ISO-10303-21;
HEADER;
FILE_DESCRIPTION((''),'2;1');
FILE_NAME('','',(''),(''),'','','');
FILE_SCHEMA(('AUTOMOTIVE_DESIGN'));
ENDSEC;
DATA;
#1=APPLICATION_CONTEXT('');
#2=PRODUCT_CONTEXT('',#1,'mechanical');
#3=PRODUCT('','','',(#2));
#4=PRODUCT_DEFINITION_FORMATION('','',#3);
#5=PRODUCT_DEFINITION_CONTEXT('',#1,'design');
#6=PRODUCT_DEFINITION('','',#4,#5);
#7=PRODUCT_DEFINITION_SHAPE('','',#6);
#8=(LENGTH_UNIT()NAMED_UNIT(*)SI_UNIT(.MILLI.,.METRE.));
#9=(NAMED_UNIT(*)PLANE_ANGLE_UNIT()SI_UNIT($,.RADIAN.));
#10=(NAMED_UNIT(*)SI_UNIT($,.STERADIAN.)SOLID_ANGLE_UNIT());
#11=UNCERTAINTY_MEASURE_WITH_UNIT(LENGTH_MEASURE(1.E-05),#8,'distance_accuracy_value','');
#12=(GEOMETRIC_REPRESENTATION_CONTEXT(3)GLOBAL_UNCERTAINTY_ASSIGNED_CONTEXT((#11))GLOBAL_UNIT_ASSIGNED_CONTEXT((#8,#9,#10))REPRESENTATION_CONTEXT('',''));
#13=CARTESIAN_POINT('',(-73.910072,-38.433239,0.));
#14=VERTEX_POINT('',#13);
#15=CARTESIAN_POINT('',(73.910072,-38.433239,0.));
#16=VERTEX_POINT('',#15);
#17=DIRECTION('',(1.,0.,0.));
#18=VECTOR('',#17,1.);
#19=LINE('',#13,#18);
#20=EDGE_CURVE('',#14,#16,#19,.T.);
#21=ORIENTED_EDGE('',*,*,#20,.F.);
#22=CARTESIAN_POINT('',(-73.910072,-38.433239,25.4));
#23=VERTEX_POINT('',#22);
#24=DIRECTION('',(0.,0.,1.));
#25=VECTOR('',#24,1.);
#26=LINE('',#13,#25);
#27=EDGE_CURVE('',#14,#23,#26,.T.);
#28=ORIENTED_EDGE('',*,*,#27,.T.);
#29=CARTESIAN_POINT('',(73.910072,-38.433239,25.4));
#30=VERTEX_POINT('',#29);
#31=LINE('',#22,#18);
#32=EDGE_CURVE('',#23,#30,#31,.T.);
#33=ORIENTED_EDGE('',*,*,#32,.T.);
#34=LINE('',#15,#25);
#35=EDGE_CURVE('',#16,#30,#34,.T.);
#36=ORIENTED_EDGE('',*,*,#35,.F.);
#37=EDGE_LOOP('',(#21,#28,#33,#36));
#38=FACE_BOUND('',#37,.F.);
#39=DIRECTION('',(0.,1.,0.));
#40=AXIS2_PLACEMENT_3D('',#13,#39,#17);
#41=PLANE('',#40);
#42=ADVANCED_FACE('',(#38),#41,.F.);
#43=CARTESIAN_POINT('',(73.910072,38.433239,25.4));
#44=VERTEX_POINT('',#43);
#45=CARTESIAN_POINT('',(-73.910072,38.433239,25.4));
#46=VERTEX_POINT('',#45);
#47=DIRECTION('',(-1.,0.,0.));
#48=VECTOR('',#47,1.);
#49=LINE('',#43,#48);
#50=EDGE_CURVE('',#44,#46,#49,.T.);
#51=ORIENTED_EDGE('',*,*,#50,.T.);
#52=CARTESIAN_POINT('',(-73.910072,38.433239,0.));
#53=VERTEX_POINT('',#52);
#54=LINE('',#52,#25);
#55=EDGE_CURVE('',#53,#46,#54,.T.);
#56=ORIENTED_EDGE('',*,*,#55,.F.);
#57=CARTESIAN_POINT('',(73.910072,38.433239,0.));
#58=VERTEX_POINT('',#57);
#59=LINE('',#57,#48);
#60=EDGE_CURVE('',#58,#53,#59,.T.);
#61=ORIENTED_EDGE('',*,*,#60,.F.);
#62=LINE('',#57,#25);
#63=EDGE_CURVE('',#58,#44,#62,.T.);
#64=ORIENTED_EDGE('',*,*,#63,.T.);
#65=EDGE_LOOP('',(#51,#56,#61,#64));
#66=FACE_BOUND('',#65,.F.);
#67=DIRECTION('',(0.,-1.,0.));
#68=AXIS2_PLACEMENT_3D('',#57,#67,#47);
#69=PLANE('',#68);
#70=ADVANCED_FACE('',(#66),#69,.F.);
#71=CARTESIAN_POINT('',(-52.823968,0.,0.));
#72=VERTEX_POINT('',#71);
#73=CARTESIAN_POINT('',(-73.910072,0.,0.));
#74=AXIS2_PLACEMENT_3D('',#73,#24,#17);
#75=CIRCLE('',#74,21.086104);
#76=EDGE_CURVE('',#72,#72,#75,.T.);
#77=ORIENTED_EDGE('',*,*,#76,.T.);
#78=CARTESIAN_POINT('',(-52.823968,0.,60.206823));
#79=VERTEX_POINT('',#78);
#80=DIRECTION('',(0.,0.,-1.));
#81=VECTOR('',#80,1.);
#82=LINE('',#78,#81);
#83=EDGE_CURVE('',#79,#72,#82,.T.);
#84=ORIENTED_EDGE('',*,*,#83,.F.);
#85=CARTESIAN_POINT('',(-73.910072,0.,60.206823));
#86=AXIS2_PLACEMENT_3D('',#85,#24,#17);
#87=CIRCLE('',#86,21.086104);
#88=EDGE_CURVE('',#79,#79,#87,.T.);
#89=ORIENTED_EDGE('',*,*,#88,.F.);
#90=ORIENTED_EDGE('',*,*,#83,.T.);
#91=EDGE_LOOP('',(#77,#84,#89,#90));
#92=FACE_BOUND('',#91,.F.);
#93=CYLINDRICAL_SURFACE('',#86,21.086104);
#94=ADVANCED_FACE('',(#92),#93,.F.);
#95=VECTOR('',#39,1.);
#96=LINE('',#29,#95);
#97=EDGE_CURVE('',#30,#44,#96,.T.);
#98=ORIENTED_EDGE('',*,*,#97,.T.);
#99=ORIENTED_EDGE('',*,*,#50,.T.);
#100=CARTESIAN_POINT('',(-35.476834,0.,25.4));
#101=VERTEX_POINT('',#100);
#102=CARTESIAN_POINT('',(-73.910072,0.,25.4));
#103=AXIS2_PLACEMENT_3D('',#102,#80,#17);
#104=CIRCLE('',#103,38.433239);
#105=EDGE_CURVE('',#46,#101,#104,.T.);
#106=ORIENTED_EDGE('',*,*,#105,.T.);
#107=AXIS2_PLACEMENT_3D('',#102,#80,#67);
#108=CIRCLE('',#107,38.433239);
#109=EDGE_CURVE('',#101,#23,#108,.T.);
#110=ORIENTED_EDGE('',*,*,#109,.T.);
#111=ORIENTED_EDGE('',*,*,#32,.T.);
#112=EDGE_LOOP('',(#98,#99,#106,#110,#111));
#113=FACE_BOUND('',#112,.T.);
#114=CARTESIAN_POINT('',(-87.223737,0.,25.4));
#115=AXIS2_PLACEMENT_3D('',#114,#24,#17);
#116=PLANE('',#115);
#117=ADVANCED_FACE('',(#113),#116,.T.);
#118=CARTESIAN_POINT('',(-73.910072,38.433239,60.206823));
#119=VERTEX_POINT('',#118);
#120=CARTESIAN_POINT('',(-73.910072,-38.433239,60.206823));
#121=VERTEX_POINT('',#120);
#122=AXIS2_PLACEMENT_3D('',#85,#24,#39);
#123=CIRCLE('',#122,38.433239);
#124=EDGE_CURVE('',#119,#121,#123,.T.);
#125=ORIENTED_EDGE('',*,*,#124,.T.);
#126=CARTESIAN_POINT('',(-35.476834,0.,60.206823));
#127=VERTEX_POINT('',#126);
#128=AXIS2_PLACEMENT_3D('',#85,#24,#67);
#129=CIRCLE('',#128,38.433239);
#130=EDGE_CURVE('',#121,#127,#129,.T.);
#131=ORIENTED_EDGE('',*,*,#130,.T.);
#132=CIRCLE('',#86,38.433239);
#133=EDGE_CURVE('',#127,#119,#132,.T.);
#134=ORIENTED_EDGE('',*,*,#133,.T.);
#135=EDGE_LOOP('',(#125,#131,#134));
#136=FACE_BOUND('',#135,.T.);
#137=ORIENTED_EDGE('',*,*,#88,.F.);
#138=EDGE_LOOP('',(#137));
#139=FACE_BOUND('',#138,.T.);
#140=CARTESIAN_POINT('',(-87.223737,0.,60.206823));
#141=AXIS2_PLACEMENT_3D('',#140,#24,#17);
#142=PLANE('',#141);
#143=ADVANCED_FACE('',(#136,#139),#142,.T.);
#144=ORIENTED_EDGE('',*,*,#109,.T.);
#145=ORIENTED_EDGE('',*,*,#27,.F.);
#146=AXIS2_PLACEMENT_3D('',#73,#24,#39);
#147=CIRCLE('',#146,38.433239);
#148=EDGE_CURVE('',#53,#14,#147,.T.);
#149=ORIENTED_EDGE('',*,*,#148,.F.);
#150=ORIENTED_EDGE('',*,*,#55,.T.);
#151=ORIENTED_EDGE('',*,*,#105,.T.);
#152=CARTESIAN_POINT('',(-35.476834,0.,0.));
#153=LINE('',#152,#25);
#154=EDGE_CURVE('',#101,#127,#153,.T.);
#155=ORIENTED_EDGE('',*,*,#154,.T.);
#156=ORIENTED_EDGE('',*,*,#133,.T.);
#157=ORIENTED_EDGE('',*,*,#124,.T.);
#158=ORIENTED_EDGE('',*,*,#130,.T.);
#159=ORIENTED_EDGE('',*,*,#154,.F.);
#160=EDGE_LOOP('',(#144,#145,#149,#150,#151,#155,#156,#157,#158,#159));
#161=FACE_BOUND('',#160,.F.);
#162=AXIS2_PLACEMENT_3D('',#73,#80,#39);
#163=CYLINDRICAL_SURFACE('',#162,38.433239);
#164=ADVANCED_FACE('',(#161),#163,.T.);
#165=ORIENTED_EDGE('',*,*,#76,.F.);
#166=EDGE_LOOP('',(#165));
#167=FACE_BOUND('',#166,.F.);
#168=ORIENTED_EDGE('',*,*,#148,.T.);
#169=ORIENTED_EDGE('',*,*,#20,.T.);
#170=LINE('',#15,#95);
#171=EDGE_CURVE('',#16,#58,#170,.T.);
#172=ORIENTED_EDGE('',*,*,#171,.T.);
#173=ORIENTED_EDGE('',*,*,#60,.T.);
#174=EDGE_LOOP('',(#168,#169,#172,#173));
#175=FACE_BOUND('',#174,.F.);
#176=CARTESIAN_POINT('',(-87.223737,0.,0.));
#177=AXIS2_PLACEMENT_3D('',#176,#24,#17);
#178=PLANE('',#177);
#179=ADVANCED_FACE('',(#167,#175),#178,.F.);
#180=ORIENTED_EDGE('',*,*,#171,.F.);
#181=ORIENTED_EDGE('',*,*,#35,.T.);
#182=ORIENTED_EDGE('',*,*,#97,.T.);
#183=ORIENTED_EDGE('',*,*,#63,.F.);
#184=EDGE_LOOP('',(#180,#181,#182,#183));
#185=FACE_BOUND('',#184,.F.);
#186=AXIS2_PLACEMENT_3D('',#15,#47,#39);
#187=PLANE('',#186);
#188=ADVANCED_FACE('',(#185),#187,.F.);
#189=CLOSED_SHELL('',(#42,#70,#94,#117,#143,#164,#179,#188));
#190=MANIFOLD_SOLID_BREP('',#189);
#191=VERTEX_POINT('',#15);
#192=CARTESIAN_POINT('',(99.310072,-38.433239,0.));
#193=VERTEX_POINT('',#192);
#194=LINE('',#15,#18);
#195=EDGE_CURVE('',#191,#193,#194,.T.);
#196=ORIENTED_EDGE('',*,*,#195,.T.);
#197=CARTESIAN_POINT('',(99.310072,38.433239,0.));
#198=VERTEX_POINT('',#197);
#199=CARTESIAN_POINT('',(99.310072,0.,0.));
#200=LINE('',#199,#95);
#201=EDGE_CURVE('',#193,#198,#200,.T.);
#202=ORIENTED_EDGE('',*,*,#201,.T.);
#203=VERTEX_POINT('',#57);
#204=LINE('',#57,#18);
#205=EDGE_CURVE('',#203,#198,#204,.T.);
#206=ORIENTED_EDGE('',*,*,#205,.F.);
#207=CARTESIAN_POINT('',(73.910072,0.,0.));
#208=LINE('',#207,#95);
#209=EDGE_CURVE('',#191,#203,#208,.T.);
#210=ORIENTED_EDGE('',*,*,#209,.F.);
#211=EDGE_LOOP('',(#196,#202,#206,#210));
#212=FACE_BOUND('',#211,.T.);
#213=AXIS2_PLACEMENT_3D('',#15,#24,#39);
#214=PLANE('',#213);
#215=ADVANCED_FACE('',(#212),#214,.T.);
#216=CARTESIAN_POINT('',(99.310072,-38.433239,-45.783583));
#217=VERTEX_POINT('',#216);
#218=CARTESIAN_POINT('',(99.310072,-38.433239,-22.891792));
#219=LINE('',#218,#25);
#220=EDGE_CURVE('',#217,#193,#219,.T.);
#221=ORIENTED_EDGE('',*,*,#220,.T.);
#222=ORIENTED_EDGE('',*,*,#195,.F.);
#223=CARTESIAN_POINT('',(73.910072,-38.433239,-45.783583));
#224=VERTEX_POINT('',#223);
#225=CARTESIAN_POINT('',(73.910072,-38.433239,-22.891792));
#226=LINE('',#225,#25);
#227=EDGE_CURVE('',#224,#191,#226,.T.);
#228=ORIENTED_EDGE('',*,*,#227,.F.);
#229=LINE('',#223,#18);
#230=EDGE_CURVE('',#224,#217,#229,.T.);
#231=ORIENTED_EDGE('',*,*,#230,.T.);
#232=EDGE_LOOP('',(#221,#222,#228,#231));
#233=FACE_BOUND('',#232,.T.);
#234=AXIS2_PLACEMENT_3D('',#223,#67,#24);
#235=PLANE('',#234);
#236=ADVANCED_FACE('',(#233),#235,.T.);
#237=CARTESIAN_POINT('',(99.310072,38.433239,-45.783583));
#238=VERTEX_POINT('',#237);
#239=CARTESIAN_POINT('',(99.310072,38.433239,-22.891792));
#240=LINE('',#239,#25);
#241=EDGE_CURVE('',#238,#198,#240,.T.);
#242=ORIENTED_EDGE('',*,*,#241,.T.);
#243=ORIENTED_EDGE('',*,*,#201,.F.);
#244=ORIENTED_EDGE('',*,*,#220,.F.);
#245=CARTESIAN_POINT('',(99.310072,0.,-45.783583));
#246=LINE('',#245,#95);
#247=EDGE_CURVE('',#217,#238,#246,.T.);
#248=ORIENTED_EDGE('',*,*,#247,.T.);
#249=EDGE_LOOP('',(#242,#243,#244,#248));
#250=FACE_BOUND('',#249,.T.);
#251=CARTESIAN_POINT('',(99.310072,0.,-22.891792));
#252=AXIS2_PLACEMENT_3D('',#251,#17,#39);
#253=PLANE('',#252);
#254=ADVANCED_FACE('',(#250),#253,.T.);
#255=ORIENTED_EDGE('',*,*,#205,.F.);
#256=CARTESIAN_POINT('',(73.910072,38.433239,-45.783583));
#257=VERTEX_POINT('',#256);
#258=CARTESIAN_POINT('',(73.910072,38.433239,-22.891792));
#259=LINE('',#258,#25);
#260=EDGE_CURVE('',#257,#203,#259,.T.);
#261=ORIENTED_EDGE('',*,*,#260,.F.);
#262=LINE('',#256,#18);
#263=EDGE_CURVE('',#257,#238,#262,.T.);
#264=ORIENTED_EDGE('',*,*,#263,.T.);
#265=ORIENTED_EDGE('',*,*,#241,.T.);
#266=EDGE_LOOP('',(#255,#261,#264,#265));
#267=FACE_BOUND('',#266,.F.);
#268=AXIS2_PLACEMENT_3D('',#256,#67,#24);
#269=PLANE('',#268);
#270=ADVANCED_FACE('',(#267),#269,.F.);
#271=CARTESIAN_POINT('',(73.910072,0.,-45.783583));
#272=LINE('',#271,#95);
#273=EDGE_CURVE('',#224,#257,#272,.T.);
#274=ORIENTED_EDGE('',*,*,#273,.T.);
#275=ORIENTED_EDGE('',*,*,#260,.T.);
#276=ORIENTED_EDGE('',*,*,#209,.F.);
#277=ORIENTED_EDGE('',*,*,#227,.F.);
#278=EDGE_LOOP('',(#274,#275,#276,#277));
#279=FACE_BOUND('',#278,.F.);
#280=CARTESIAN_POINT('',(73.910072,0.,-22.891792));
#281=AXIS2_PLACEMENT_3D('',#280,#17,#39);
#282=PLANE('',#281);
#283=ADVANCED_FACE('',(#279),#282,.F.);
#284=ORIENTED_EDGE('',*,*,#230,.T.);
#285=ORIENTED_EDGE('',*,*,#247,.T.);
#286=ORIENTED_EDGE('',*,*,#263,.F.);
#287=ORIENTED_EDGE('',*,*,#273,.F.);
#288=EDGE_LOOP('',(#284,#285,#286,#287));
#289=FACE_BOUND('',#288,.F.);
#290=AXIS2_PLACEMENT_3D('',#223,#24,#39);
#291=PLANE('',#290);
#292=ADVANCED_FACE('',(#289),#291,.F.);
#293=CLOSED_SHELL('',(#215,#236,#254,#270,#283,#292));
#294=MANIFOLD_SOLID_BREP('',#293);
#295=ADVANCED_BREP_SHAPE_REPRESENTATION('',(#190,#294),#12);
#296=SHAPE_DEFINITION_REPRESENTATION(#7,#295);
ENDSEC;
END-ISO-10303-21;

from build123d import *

# Parameters (mm, degrees)
F1_DEPTH = 25.4
F2_DEPTH = 60.206823051
F3_R     = 19.6934339569
F4_DEPTH = 25.4
F5_R     = 21.0861042144
F6_DEPTH = 62.1649548411
F7_W     = 76.8664777279
F7_H     = 45.7835830748
F8_DEPTH = 25.4


with BuildPart() as f1:
    # F0 (on Top) → F1 (new body)
    with BuildSketch(Plane.XY):
        with BuildLine():
            ThreePointArc((-73.9100724459, 38.4332388639), (-112.3433113098, 0), (-73.9100724459, -38.4332388639))
            Line((-73.9100724459, -38.4332388639), (-73.9100724459, 38.4332388639))
        make_face()
        with BuildLine():
            Line((-73.9100724459, -38.4332388639), (73.9100724459, -38.4332388639))
            Line((73.9100724459, -38.4332388639), (73.9100724459, 38.4332388639))
            Line((73.9100724459, 38.4332388639), (-73.9100724459, 38.4332388639))
            ThreePointArc((-73.9100724459, 38.4332388639), (-46.7336686222, 27.1764038237), (-35.4768335819, 0))
            ThreePointArc((-35.4768335819, 0), (-46.7336686222, -27.1764038237), (-73.9100724459, -38.4332388639))
        make_face()
        with BuildLine():
            Line((-73.9100724459, 38.4332388639), (-73.9100724459, -38.4332388639))
            ThreePointArc((-73.9100724459, -38.4332388639), (-46.7336686222, -27.1764038237), (-35.4768335819, 0))
            ThreePointArc((-35.4768335819, 0), (-46.7336686222, 27.1764038237), (-73.9100724459, 38.4332388639))
        make_face()
    extrude(amount=F1_DEPTH)

    # F0 (on Top) → F2 (join)
    with BuildSketch(Plane.XY):
        with BuildLine():
            ThreePointArc((-73.9100724459, 38.4332388639), (-112.3433113098, 0), (-73.9100724459, -38.4332388639))
            Line((-73.9100724459, -38.4332388639), (-73.9100724459, 38.4332388639))
        make_face()
        with BuildLine():
            Line((-73.9100724459, 38.4332388639), (-73.9100724459, -38.4332388639))
            ThreePointArc((-73.9100724459, -38.4332388639), (-46.7336686222, -27.1764038237), (-35.4768335819, 0))
            ThreePointArc((-35.4768335819, 0), (-46.7336686222, 27.1764038237), (-73.9100724459, 38.4332388639))
        make_face()
    extrude(amount=F2_DEPTH)

    # F3 (on face) → F4 (cut)
    with BuildSketch(Plane.XY):
        with Locations((-73.3075961471, 0)):
            Circle(F3_R)
    extrude(amount=-F4_DEPTH, mode=Mode.SUBTRACT)

    # F5 (on face) → F6 (cut)
    with BuildSketch(Plane.XY.offset(60.206823051)):
        with Locations((-73.9100724459, 0)):
            Circle(F5_R)
    extrude(amount=-F6_DEPTH, mode=Mode.SUBTRACT)


with BuildPart() as f8:
    # F7 (on face) → F8 (new body)
    with BuildSketch(Plane.YZ.offset(73.9100724459)):
        with Locations((0, -22.8917915374)):
            Rectangle(F7_W, F7_H)
    extrude(amount=F8_DEPTH)


solid = Compound([f1.part, f8.part])
